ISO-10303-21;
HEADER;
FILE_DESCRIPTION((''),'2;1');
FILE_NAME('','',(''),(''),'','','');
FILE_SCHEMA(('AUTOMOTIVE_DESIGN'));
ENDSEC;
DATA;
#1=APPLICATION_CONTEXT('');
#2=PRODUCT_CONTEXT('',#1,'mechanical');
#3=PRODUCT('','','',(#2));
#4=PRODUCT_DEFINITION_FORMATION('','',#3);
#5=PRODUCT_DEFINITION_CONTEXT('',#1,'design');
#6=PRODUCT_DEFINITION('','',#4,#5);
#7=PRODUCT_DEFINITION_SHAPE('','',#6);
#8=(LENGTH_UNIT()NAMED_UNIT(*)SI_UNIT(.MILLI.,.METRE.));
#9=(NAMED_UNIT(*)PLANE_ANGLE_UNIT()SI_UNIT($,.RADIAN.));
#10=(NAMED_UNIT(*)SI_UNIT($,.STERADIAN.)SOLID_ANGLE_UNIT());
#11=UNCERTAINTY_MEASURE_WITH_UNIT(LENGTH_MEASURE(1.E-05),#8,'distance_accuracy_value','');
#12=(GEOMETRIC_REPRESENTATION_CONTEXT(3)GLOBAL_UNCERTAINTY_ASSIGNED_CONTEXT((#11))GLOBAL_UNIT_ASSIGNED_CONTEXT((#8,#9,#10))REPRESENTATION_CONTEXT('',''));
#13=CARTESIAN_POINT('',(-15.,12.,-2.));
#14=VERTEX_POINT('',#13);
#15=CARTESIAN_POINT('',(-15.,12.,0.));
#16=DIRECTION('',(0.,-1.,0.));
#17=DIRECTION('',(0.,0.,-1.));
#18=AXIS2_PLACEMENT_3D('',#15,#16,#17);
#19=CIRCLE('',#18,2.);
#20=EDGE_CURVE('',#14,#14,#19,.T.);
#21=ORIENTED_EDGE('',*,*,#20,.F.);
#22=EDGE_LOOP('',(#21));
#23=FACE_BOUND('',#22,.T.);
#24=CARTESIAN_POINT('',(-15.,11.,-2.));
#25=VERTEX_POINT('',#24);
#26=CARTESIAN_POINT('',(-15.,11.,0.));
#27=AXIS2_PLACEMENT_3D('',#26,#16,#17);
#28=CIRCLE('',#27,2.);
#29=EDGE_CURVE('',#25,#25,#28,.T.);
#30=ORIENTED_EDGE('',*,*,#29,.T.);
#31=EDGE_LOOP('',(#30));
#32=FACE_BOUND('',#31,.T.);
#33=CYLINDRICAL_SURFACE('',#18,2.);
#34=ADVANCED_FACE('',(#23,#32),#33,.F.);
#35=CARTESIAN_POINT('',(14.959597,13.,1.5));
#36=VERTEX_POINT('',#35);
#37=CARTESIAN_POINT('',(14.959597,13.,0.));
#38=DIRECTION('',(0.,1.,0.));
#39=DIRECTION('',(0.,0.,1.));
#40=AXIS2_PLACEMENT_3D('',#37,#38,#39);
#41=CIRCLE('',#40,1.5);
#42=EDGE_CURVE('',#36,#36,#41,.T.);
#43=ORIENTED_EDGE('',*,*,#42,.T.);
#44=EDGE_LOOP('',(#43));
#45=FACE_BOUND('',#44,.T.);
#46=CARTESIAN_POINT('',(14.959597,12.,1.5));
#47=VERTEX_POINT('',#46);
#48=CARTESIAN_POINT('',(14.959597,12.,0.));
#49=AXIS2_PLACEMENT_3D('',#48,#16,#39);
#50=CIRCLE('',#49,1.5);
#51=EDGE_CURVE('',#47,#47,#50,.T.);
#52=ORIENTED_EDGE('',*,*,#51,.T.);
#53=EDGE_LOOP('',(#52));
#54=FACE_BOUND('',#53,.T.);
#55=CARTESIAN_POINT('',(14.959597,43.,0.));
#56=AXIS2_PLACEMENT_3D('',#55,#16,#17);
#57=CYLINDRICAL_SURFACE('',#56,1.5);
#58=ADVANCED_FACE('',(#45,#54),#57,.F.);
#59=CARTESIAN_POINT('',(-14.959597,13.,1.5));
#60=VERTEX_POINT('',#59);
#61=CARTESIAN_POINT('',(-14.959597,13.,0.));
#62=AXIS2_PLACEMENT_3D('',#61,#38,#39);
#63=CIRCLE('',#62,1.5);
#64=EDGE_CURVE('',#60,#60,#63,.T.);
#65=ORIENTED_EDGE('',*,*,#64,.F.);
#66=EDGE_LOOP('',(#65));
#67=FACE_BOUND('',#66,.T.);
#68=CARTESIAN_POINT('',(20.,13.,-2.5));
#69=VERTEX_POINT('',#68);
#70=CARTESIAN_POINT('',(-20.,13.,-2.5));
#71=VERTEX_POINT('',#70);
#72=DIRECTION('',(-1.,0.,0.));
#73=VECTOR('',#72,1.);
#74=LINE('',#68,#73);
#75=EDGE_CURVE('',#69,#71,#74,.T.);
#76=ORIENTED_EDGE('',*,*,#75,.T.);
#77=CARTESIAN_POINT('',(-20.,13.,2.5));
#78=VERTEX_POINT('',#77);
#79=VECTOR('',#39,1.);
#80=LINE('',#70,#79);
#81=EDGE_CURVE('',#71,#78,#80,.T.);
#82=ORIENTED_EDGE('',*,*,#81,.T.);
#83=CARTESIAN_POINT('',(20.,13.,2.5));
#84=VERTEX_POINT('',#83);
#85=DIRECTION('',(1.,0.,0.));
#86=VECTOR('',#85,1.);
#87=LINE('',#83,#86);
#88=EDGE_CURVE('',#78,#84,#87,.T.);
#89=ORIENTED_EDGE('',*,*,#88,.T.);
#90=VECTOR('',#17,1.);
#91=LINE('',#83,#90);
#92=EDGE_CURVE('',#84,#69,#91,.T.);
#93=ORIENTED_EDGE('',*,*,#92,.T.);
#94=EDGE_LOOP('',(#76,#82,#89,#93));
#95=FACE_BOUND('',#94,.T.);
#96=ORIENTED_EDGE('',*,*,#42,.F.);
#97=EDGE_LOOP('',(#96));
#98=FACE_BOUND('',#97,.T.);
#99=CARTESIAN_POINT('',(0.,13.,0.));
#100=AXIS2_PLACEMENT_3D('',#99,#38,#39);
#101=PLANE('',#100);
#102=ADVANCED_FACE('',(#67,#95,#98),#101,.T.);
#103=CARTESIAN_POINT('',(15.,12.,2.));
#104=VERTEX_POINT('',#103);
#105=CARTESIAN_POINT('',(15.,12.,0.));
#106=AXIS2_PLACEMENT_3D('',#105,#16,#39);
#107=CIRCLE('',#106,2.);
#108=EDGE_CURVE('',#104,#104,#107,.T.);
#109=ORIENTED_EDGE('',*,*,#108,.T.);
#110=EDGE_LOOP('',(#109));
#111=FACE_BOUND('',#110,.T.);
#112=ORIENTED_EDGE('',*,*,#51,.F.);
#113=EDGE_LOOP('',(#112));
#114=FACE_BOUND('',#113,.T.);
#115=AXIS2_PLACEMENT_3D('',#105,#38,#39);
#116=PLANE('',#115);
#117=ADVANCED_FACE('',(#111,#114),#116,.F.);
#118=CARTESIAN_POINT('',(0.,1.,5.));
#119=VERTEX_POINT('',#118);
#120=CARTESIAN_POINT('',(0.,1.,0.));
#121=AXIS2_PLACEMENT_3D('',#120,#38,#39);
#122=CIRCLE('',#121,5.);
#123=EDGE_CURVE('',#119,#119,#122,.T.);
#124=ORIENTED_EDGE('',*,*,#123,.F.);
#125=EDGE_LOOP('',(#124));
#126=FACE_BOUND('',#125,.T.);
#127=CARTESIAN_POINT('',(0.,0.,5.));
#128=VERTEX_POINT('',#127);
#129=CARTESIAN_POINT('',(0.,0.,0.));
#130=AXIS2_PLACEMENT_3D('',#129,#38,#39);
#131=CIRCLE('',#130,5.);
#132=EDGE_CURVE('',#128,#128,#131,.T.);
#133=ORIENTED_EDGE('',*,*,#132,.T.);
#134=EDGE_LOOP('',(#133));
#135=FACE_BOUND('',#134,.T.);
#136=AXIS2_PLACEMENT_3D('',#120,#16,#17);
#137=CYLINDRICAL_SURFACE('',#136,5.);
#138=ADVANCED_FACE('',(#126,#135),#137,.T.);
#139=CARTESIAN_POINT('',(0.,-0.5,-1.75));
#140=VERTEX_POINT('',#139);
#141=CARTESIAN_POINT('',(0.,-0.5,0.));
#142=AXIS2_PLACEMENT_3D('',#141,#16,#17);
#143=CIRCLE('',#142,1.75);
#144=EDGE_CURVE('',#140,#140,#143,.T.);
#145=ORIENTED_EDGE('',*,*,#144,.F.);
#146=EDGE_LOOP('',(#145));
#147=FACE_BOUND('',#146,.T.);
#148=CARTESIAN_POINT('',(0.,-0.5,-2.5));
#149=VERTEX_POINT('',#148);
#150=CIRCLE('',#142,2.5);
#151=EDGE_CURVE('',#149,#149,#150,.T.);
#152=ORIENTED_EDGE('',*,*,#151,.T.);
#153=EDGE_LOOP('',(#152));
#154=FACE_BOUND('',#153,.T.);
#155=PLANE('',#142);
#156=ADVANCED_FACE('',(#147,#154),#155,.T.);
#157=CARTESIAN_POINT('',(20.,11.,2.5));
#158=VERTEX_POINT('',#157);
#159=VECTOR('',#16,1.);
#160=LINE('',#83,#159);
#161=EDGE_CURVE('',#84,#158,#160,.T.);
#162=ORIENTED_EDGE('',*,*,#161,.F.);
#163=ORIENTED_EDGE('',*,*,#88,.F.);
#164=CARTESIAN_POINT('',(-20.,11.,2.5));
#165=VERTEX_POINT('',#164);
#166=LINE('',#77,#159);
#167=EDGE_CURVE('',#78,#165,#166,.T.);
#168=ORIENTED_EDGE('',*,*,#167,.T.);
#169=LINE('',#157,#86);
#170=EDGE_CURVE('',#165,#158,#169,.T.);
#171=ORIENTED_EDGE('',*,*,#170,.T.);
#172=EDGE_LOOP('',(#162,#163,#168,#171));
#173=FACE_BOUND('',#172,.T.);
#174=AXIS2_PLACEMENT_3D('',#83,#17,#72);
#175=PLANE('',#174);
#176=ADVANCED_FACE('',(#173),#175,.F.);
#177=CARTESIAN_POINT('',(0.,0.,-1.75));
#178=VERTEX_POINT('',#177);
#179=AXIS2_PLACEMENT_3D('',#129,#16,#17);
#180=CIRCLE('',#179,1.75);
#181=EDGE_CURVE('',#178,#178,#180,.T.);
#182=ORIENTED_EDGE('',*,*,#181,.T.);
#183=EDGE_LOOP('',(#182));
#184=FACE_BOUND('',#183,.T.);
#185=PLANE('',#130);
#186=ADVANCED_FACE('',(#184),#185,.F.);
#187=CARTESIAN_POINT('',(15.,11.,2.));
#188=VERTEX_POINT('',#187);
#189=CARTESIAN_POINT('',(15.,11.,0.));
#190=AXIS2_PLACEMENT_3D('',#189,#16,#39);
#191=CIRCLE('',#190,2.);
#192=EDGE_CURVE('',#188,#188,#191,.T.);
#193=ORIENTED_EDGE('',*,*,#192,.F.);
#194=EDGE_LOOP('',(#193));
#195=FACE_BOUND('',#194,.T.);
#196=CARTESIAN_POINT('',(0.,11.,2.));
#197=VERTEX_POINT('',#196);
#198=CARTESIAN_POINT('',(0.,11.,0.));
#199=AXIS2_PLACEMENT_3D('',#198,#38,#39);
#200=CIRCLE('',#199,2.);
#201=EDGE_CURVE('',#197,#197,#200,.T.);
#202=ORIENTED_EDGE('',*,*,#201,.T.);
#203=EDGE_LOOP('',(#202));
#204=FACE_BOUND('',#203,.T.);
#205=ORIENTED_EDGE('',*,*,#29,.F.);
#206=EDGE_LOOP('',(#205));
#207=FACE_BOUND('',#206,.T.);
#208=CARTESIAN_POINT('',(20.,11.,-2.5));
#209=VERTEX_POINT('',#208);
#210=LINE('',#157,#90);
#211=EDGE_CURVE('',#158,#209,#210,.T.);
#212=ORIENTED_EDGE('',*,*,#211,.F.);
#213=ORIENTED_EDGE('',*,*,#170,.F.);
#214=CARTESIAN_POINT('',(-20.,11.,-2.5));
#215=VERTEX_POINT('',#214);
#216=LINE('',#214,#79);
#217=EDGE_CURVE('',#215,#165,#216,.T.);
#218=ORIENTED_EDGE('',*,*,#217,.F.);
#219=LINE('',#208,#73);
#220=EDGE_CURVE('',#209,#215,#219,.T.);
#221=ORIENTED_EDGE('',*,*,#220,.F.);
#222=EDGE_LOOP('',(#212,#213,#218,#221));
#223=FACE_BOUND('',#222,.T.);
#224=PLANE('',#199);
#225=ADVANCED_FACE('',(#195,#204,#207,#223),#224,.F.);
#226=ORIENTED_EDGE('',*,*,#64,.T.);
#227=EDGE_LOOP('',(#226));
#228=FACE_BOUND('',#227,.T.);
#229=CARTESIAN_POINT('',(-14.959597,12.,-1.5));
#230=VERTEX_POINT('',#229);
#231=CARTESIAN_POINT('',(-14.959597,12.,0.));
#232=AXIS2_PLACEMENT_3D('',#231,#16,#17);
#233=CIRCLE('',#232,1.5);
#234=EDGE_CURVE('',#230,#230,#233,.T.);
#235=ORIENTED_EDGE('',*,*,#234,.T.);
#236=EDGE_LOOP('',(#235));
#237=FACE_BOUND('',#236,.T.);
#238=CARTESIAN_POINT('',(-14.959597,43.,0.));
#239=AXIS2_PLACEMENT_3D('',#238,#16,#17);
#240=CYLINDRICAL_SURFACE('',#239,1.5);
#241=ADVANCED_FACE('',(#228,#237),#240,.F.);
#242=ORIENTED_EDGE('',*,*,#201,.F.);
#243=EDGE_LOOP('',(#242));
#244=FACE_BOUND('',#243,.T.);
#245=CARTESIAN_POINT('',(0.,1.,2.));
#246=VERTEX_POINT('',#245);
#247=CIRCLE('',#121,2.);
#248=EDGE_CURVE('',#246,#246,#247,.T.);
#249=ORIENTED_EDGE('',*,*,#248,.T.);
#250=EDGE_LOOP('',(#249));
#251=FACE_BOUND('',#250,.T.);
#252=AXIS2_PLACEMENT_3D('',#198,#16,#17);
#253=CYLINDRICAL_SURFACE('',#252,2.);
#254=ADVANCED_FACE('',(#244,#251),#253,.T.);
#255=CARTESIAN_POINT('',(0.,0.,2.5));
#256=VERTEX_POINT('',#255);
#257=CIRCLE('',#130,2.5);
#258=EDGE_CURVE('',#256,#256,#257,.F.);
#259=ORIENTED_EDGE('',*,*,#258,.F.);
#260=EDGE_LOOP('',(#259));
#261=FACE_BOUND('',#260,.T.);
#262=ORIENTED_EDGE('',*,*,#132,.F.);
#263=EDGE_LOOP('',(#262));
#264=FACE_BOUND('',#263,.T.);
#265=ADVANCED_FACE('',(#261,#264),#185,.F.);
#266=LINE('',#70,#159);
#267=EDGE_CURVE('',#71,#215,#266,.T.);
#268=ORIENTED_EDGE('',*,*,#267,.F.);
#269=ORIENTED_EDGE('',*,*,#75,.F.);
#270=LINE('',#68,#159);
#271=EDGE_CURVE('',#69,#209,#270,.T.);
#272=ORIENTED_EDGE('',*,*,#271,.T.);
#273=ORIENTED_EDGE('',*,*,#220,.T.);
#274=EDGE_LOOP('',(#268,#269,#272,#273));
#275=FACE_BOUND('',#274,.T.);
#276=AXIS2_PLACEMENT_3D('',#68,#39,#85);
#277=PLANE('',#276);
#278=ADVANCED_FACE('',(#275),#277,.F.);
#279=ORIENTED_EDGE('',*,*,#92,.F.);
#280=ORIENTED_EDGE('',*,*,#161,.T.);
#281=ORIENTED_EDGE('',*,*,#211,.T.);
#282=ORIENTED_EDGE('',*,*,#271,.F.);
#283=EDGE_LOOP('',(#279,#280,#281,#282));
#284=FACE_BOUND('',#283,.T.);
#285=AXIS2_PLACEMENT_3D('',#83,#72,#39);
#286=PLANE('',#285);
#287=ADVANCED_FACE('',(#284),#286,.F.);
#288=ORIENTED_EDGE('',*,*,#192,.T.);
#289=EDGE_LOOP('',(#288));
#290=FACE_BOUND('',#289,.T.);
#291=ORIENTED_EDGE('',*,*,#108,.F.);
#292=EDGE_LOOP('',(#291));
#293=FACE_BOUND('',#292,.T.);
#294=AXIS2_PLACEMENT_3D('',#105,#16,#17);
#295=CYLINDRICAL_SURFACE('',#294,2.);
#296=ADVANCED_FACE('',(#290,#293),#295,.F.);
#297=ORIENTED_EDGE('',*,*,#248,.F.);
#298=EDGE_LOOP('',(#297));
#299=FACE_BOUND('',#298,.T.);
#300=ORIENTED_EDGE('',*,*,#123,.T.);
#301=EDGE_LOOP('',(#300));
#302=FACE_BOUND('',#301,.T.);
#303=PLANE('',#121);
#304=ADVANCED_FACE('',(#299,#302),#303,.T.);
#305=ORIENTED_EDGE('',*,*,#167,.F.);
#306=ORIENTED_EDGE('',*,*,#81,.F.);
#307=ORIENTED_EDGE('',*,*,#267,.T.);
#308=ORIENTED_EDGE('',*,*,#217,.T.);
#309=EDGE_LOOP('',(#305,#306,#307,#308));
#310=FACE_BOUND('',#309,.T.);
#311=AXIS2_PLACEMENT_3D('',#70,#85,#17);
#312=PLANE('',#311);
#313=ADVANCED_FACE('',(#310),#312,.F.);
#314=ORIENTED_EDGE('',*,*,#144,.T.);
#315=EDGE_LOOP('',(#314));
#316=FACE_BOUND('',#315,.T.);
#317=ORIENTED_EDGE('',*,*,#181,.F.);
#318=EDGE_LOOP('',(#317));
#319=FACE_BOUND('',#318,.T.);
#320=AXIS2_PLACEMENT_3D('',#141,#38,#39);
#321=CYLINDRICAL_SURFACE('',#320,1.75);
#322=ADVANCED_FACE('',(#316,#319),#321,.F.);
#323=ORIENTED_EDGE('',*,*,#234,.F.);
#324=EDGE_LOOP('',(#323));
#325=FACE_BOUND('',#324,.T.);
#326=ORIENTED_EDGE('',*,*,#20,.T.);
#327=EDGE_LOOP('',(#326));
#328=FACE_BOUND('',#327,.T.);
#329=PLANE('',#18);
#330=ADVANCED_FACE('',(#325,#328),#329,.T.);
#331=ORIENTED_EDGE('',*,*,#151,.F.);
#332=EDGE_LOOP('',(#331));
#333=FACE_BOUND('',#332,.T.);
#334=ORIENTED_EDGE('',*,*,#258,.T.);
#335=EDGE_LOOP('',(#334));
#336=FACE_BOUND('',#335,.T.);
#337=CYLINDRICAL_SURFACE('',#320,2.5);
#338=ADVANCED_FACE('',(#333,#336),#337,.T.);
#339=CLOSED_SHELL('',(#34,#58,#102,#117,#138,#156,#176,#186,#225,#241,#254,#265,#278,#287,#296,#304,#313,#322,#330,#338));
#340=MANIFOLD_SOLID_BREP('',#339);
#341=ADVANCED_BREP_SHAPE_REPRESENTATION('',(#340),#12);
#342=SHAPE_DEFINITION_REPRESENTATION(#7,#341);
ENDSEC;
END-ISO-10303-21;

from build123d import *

# Parameters (mm, degrees)
SKETCH2_R           = 5
BOSS_EXTRUDE1_DEPTH = 1
SKETCH3_R           = 2.5
SKETCH3_R_2         = 1.75
BOSS_EXTRUDE2_DEPTH = 0.5
SKETCH4_R           = 2
BOSS_EXTRUDE3_DEPTH = 10
SKETCH6_W           = 40
SKETCH6_H           = 5
BOSS_EXTRUDE4_DEPTH = 2
SKETCH9_R           = 2
CUT_EXTRUDE1_DEPTH  = 1
SKETCH10_R          = 1.5
CUT_EXTRUDE2_DEPTH  = 31


with BuildPart() as part:
    # Sketch2 → Boss-Extrude1 (new body)
    with BuildSketch(Plane(origin=(0, 0, 0), x_dir=(-1, 0, 0), z_dir=(0, 1, 0))):
        with Locations(Location((0, 0, 0), (0, 0, 90))):
            Circle(SKETCH2_R)
    extrude(amount=BOSS_EXTRUDE1_DEPTH)

    # Sketch3 → Boss-Extrude2 (add)
    with BuildSketch(Plane.XZ):
        with Locations(Location((0, 0, 0), (0, 0, 90))):
            Circle(SKETCH3_R)
        with Locations(Location((0, 0, 0), (0, 0, 270))):
            Circle(SKETCH3_R_2, mode=Mode.SUBTRACT)
    extrude(amount=BOSS_EXTRUDE2_DEPTH)

    # Sketch4 → Boss-Extrude3 (add)
    with BuildSketch(Plane(origin=(0, 1, 0), x_dir=(-1, 0, 0), z_dir=(0, 1, 0))):
        with Locations(Location((0, 0, 0), (0, 0, 90))):
            Circle(SKETCH4_R)
    extrude(amount=BOSS_EXTRUDE3_DEPTH)

    # Sketch6 → Boss-Extrude4 (add)
    with BuildSketch(Plane(origin=(0, 11, 0), x_dir=(-1, 0, 0), z_dir=(0, 1, 0))):
        Rectangle(SKETCH6_W, SKETCH6_H)
    extrude(amount=BOSS_EXTRUDE4_DEPTH)

    # Sketch9 → Cut-Extrude1 (cut)
    with BuildSketch(Plane.XZ.offset(-11)):
        with Locations(Location((-15, 0, 0), (0, 0, 270))):
            Circle(SKETCH9_R)
        with Locations(Location((15, 0, 0), (0, 0, 90))):
            Circle(SKETCH9_R)
    extrude(amount=-CUT_EXTRUDE1_DEPTH, mode=Mode.SUBTRACT)

    # Sketch10 → Cut-Extrude2 (cut)
    with BuildSketch(Plane.XZ.offset(-12)):
        with Locations(Location((-14.9595974, 0, 0), (0, 0, 270))):
            Circle(SKETCH10_R)
        with Locations(Location((14.9595974, 0, 0), (0, 0, 90))):
            Circle(SKETCH10_R)
    extrude(amount=-CUT_EXTRUDE2_DEPTH, mode=Mode.SUBTRACT)


solid = part.part
